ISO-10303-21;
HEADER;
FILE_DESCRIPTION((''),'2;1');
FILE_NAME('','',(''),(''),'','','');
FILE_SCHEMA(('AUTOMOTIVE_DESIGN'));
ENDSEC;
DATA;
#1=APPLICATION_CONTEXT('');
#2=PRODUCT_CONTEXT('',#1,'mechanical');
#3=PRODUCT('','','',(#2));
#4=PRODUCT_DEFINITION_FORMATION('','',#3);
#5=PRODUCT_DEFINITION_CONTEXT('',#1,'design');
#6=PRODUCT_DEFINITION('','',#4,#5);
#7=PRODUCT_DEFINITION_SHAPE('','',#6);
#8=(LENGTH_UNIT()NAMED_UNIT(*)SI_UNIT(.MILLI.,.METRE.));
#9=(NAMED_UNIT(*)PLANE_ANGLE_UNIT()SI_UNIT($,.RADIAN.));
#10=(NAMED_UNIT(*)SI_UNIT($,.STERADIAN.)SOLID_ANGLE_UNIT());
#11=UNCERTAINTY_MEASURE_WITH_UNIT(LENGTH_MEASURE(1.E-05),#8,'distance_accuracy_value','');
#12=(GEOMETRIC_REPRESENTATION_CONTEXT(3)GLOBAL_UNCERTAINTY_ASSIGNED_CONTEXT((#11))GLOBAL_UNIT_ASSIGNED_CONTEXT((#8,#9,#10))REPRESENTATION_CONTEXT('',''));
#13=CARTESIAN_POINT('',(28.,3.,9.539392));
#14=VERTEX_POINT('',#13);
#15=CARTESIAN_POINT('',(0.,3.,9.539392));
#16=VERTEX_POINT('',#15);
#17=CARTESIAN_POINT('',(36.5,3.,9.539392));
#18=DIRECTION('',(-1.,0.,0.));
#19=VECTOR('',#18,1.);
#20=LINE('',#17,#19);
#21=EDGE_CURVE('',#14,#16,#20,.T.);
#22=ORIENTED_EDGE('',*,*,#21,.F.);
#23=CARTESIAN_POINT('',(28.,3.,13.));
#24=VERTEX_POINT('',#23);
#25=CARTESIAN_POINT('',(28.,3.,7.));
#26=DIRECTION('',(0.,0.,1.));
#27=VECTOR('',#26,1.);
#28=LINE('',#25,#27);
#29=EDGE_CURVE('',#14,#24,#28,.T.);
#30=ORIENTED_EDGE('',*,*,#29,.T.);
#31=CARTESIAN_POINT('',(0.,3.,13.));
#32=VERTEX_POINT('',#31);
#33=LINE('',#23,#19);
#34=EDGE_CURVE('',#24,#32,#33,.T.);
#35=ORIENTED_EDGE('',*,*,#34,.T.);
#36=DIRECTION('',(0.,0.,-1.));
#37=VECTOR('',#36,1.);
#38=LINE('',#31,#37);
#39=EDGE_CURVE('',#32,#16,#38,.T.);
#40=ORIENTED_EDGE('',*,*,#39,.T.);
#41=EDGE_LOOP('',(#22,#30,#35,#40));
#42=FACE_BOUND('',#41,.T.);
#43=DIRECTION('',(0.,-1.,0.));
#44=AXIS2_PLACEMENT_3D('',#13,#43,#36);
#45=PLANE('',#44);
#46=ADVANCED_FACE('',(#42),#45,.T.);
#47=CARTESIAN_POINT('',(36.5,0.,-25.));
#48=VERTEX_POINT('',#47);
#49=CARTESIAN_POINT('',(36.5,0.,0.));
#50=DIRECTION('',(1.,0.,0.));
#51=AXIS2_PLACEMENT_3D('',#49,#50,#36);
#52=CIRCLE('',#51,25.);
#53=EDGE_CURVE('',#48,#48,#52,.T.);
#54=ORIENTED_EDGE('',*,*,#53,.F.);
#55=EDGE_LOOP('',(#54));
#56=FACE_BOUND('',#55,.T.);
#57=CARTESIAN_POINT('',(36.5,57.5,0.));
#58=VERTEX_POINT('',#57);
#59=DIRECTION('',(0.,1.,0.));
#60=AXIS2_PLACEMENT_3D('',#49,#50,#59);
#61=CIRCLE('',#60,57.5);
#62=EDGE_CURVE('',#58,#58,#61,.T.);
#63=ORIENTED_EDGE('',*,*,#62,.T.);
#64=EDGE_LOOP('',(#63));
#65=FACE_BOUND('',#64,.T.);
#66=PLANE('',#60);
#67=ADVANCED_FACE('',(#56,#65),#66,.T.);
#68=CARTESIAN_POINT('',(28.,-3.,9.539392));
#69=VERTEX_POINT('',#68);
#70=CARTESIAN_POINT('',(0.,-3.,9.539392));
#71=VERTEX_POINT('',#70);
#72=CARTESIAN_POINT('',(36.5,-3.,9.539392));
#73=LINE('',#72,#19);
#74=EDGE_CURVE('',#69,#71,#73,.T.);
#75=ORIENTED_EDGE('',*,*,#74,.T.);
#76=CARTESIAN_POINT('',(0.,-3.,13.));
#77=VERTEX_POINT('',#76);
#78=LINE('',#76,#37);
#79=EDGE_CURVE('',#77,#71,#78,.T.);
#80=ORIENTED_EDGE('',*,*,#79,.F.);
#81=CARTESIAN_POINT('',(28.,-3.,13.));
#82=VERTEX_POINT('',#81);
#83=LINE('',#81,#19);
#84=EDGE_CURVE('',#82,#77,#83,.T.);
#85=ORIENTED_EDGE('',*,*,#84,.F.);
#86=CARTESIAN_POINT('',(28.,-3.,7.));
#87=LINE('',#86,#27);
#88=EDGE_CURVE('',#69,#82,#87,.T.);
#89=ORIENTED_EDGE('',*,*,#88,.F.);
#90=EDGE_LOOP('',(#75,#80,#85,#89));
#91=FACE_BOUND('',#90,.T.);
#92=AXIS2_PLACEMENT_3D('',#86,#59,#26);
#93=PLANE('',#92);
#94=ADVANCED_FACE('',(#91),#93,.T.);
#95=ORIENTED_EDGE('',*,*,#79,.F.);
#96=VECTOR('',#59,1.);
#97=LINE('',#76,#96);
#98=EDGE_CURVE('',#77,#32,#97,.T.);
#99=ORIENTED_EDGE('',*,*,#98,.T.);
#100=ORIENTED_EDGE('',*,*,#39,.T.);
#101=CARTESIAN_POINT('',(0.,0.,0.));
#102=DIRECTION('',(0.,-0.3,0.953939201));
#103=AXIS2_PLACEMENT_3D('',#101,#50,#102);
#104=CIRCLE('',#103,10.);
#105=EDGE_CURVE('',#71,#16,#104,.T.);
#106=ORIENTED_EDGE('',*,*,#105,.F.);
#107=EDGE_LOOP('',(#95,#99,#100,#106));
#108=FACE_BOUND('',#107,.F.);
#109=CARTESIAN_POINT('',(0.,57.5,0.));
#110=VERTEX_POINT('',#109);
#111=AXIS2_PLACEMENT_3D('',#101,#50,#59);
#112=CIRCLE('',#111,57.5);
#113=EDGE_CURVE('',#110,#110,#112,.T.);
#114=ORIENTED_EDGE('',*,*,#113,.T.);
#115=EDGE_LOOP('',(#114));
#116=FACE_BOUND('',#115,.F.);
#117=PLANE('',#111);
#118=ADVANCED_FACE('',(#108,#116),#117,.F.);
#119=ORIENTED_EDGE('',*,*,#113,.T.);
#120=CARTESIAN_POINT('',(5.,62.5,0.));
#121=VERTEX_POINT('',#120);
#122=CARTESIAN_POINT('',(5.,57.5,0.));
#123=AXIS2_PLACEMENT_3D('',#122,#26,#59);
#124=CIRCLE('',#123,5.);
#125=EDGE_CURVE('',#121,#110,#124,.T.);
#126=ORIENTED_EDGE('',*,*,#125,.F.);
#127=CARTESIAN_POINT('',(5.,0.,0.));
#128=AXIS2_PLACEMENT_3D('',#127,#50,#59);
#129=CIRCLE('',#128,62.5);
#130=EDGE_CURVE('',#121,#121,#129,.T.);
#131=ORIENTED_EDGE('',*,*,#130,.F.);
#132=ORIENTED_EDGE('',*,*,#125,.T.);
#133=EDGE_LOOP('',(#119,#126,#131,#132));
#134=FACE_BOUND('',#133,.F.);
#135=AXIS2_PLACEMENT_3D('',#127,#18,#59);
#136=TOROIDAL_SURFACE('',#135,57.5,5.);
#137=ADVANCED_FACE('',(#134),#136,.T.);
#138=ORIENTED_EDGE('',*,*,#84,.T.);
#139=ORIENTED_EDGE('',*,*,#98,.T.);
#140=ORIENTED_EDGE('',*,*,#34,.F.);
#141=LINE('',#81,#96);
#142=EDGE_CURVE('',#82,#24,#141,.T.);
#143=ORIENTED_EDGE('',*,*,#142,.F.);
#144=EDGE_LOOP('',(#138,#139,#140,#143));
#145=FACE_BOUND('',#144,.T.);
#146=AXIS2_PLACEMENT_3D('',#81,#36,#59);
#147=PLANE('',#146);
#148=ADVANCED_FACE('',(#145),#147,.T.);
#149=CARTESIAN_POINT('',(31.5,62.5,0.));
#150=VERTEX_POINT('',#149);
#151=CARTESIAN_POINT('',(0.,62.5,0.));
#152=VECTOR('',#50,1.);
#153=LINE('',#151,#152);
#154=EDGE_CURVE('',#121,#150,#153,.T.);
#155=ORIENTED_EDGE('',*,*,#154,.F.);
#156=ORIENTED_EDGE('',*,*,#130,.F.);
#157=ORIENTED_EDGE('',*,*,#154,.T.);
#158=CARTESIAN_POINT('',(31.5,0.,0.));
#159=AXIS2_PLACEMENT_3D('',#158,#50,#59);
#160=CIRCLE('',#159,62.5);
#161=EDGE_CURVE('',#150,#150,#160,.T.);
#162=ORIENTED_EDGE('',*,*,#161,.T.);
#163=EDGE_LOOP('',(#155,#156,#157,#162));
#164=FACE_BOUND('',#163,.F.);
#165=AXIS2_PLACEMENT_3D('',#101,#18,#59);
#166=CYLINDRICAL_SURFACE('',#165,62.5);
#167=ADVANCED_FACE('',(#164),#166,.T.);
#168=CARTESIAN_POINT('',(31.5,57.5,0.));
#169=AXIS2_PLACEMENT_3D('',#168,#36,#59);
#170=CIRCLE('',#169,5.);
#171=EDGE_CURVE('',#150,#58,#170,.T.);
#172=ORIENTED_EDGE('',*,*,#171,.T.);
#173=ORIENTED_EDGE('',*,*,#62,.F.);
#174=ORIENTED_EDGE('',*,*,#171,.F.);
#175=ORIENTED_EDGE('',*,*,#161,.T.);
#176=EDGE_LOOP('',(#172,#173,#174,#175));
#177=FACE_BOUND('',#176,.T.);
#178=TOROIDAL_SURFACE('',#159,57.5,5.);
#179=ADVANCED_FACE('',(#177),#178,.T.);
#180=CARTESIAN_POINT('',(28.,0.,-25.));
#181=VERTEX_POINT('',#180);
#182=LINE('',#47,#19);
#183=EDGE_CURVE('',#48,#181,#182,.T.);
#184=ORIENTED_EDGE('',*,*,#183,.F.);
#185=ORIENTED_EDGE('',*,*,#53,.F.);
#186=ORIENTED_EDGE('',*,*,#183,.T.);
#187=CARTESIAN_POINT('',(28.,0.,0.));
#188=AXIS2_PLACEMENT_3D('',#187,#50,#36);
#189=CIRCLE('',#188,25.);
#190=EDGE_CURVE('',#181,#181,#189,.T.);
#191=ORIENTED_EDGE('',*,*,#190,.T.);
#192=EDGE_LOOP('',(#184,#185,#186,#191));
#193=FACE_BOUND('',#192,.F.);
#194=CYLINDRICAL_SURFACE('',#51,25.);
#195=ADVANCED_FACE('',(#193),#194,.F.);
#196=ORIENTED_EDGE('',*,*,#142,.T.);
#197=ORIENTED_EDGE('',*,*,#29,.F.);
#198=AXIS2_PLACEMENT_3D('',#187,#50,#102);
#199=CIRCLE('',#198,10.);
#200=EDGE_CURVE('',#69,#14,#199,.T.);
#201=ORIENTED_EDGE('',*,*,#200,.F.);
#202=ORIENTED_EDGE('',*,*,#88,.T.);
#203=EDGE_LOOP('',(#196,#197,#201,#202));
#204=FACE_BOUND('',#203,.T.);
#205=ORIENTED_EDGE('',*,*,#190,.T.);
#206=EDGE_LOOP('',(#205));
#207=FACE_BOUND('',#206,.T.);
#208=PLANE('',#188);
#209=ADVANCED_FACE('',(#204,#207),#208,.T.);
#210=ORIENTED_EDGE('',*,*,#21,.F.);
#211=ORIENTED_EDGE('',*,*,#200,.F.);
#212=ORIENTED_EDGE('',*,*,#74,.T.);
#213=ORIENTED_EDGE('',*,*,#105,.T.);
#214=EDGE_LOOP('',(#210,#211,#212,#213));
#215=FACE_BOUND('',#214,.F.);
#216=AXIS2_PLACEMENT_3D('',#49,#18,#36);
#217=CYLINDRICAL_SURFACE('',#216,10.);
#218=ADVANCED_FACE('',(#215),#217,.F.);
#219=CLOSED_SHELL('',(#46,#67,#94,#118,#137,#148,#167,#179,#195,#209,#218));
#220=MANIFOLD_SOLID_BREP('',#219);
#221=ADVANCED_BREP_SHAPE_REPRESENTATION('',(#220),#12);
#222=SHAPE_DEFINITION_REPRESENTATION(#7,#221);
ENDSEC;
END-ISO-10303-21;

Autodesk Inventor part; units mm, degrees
ref_plane "YZ Plane" through (0, 0, 0) normal (1, 0, 0) x (0, 1, 0)
ref_plane "XZ Plane" through (0, 0, 0) normal (0, 1, 0) x (-1, 0, 0)
ref_plane "XY Plane" through (0, 0, 0) normal (0, 0, 1) x (1, 0, 0)
sketch "Sketch1" plane through (0, 0, 0) normal (1, 0, 0) x (0, 1, 0)
  circle A0 centre (0, 0) radius 62.5
  dimension "d0" = 125
extrude "Extrusion1" add sketch "Sketch1" along normal blind 36.5
fillet "Fillet1" radius 5 2 edges at (36.5, -62.5, 0) (0, -62.5, 0)
sketch "Sketch2" plane through (36.5, 0, 0) normal (1, 0, 0) x (0, 0, -1)
  circle A0 centre (0, 0) radius 62.5 projected
hole "Hole1" at (36.5, 0, 0) direction (-1, 0, 0) diameter 20 end through all
sketch "Sketch3" plane through (36.5, 0, 0) normal (1, 0, 0) x (0, 0, -1)
  circle A0 centre (0, 0) radius 25
  dimension "d11" = 50
extrude "Extrusion2" cut sketch "Sketch3" against normal blind 8.5
sketch "Sketch4" plane through (28, 0, 0) normal (1, 0, 0) x (0, 0, -1)
  line L0 (-7, -3) -> (-13, -3)
  line L1 (-13, -3) -> (-13, 3)
  line L2 (-13, 3) -> (-7, 3)
  line L3 (-7, 3) -> (-7, -3)
  circle A0 centre (0, 0) radius 10 projected
  line L4 (-7, -3) -> (-13, 3) construction
  line L5 (-13, -3) -> (-7, 3) construction
  point P0 (-10, 0)
  dimension "d14" = 6
  dimension "d15" = 6
extrude "Extrusion3" cut sketch "Sketch4" against normal blind 28 contours L0 A0 L2 L3 | L0 L1 L2 A0 picked at (-7.9828, 0.338)
properties part number "100mm Traction Wheel StandIn" material "Rubber"
